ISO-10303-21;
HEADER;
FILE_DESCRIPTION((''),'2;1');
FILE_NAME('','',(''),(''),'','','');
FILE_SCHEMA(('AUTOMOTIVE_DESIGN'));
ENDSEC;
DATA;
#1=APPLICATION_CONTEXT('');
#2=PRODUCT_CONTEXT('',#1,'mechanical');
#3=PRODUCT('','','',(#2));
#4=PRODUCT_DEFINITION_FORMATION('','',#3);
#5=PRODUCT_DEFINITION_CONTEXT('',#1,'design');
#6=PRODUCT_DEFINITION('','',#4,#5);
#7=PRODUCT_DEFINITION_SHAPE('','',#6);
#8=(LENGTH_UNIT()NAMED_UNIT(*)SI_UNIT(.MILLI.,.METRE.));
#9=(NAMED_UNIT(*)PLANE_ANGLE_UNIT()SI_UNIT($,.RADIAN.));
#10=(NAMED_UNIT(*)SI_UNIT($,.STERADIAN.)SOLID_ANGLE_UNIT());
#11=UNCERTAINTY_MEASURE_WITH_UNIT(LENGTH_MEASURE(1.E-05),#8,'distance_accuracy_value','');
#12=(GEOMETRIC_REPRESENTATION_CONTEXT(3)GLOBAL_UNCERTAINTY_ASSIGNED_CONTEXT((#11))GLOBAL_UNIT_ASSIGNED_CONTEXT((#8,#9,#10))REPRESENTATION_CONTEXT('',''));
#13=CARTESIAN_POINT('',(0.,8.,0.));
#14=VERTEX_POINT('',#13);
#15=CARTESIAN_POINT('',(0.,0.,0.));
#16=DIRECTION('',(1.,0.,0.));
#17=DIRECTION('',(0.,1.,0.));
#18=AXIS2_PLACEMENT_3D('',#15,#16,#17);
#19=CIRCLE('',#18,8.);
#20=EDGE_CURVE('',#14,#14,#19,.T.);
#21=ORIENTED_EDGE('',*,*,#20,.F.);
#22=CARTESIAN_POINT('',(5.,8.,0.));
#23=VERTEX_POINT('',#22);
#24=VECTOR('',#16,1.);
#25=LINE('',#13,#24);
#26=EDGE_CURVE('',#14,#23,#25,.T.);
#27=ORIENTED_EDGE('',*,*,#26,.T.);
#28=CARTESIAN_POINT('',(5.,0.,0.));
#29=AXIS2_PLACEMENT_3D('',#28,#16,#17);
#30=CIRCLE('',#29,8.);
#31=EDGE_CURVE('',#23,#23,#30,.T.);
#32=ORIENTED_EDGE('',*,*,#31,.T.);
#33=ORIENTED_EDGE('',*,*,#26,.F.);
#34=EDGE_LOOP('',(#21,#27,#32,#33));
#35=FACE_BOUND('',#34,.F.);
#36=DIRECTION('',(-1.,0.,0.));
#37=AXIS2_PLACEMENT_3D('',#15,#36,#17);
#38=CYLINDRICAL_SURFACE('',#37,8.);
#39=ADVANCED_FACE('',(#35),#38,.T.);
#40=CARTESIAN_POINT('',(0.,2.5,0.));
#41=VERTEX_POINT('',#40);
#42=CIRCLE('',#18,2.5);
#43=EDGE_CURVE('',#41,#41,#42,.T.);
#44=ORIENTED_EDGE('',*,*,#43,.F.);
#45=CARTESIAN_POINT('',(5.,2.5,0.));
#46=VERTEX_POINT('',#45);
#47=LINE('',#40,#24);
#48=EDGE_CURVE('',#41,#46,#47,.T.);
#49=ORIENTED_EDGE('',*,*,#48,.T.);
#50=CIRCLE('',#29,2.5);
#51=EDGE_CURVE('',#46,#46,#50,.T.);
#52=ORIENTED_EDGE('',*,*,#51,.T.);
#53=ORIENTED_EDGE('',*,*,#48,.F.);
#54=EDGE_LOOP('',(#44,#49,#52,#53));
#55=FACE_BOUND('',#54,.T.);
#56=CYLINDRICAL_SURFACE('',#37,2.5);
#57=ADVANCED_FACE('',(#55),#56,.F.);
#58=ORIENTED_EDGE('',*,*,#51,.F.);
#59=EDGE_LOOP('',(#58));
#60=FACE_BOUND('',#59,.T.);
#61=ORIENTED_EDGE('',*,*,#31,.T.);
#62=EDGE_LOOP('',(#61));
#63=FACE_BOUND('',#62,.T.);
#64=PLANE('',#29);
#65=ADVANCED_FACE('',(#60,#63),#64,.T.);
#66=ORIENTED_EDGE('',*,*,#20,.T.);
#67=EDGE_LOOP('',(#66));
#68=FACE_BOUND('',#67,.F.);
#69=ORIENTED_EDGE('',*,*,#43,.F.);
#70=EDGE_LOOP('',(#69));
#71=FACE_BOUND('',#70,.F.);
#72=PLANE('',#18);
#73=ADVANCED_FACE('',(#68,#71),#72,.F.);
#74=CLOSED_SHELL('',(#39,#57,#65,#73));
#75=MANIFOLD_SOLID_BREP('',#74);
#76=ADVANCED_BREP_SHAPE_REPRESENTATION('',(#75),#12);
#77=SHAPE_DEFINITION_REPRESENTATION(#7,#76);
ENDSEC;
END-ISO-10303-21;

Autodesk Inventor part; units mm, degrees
ref_plane "YZ Plane" through (0, 0, 0) normal (1, 0, 0) x (0, 1, 0)
ref_plane "XZ Plane" through (0, 0, 0) normal (0, 1, 0) x (-1, 0, 0)
ref_plane "XY Plane" through (0, 0, 0) normal (0, 0, 1) x (1, 0, 0)
sketch "Sketch1" plane through (0, 0, 0) normal (1, 0, 0) x (0, 1, 0)
  circle A0 centre (0, 0) radius 2.5
  circle A1 centre (0, 0) radius 8
  dimension "d0" = 5
  dimension "d1" = 16
extrude "Extrusion1" add sketch "Sketch1" along normal blind 5
properties part number "625"
